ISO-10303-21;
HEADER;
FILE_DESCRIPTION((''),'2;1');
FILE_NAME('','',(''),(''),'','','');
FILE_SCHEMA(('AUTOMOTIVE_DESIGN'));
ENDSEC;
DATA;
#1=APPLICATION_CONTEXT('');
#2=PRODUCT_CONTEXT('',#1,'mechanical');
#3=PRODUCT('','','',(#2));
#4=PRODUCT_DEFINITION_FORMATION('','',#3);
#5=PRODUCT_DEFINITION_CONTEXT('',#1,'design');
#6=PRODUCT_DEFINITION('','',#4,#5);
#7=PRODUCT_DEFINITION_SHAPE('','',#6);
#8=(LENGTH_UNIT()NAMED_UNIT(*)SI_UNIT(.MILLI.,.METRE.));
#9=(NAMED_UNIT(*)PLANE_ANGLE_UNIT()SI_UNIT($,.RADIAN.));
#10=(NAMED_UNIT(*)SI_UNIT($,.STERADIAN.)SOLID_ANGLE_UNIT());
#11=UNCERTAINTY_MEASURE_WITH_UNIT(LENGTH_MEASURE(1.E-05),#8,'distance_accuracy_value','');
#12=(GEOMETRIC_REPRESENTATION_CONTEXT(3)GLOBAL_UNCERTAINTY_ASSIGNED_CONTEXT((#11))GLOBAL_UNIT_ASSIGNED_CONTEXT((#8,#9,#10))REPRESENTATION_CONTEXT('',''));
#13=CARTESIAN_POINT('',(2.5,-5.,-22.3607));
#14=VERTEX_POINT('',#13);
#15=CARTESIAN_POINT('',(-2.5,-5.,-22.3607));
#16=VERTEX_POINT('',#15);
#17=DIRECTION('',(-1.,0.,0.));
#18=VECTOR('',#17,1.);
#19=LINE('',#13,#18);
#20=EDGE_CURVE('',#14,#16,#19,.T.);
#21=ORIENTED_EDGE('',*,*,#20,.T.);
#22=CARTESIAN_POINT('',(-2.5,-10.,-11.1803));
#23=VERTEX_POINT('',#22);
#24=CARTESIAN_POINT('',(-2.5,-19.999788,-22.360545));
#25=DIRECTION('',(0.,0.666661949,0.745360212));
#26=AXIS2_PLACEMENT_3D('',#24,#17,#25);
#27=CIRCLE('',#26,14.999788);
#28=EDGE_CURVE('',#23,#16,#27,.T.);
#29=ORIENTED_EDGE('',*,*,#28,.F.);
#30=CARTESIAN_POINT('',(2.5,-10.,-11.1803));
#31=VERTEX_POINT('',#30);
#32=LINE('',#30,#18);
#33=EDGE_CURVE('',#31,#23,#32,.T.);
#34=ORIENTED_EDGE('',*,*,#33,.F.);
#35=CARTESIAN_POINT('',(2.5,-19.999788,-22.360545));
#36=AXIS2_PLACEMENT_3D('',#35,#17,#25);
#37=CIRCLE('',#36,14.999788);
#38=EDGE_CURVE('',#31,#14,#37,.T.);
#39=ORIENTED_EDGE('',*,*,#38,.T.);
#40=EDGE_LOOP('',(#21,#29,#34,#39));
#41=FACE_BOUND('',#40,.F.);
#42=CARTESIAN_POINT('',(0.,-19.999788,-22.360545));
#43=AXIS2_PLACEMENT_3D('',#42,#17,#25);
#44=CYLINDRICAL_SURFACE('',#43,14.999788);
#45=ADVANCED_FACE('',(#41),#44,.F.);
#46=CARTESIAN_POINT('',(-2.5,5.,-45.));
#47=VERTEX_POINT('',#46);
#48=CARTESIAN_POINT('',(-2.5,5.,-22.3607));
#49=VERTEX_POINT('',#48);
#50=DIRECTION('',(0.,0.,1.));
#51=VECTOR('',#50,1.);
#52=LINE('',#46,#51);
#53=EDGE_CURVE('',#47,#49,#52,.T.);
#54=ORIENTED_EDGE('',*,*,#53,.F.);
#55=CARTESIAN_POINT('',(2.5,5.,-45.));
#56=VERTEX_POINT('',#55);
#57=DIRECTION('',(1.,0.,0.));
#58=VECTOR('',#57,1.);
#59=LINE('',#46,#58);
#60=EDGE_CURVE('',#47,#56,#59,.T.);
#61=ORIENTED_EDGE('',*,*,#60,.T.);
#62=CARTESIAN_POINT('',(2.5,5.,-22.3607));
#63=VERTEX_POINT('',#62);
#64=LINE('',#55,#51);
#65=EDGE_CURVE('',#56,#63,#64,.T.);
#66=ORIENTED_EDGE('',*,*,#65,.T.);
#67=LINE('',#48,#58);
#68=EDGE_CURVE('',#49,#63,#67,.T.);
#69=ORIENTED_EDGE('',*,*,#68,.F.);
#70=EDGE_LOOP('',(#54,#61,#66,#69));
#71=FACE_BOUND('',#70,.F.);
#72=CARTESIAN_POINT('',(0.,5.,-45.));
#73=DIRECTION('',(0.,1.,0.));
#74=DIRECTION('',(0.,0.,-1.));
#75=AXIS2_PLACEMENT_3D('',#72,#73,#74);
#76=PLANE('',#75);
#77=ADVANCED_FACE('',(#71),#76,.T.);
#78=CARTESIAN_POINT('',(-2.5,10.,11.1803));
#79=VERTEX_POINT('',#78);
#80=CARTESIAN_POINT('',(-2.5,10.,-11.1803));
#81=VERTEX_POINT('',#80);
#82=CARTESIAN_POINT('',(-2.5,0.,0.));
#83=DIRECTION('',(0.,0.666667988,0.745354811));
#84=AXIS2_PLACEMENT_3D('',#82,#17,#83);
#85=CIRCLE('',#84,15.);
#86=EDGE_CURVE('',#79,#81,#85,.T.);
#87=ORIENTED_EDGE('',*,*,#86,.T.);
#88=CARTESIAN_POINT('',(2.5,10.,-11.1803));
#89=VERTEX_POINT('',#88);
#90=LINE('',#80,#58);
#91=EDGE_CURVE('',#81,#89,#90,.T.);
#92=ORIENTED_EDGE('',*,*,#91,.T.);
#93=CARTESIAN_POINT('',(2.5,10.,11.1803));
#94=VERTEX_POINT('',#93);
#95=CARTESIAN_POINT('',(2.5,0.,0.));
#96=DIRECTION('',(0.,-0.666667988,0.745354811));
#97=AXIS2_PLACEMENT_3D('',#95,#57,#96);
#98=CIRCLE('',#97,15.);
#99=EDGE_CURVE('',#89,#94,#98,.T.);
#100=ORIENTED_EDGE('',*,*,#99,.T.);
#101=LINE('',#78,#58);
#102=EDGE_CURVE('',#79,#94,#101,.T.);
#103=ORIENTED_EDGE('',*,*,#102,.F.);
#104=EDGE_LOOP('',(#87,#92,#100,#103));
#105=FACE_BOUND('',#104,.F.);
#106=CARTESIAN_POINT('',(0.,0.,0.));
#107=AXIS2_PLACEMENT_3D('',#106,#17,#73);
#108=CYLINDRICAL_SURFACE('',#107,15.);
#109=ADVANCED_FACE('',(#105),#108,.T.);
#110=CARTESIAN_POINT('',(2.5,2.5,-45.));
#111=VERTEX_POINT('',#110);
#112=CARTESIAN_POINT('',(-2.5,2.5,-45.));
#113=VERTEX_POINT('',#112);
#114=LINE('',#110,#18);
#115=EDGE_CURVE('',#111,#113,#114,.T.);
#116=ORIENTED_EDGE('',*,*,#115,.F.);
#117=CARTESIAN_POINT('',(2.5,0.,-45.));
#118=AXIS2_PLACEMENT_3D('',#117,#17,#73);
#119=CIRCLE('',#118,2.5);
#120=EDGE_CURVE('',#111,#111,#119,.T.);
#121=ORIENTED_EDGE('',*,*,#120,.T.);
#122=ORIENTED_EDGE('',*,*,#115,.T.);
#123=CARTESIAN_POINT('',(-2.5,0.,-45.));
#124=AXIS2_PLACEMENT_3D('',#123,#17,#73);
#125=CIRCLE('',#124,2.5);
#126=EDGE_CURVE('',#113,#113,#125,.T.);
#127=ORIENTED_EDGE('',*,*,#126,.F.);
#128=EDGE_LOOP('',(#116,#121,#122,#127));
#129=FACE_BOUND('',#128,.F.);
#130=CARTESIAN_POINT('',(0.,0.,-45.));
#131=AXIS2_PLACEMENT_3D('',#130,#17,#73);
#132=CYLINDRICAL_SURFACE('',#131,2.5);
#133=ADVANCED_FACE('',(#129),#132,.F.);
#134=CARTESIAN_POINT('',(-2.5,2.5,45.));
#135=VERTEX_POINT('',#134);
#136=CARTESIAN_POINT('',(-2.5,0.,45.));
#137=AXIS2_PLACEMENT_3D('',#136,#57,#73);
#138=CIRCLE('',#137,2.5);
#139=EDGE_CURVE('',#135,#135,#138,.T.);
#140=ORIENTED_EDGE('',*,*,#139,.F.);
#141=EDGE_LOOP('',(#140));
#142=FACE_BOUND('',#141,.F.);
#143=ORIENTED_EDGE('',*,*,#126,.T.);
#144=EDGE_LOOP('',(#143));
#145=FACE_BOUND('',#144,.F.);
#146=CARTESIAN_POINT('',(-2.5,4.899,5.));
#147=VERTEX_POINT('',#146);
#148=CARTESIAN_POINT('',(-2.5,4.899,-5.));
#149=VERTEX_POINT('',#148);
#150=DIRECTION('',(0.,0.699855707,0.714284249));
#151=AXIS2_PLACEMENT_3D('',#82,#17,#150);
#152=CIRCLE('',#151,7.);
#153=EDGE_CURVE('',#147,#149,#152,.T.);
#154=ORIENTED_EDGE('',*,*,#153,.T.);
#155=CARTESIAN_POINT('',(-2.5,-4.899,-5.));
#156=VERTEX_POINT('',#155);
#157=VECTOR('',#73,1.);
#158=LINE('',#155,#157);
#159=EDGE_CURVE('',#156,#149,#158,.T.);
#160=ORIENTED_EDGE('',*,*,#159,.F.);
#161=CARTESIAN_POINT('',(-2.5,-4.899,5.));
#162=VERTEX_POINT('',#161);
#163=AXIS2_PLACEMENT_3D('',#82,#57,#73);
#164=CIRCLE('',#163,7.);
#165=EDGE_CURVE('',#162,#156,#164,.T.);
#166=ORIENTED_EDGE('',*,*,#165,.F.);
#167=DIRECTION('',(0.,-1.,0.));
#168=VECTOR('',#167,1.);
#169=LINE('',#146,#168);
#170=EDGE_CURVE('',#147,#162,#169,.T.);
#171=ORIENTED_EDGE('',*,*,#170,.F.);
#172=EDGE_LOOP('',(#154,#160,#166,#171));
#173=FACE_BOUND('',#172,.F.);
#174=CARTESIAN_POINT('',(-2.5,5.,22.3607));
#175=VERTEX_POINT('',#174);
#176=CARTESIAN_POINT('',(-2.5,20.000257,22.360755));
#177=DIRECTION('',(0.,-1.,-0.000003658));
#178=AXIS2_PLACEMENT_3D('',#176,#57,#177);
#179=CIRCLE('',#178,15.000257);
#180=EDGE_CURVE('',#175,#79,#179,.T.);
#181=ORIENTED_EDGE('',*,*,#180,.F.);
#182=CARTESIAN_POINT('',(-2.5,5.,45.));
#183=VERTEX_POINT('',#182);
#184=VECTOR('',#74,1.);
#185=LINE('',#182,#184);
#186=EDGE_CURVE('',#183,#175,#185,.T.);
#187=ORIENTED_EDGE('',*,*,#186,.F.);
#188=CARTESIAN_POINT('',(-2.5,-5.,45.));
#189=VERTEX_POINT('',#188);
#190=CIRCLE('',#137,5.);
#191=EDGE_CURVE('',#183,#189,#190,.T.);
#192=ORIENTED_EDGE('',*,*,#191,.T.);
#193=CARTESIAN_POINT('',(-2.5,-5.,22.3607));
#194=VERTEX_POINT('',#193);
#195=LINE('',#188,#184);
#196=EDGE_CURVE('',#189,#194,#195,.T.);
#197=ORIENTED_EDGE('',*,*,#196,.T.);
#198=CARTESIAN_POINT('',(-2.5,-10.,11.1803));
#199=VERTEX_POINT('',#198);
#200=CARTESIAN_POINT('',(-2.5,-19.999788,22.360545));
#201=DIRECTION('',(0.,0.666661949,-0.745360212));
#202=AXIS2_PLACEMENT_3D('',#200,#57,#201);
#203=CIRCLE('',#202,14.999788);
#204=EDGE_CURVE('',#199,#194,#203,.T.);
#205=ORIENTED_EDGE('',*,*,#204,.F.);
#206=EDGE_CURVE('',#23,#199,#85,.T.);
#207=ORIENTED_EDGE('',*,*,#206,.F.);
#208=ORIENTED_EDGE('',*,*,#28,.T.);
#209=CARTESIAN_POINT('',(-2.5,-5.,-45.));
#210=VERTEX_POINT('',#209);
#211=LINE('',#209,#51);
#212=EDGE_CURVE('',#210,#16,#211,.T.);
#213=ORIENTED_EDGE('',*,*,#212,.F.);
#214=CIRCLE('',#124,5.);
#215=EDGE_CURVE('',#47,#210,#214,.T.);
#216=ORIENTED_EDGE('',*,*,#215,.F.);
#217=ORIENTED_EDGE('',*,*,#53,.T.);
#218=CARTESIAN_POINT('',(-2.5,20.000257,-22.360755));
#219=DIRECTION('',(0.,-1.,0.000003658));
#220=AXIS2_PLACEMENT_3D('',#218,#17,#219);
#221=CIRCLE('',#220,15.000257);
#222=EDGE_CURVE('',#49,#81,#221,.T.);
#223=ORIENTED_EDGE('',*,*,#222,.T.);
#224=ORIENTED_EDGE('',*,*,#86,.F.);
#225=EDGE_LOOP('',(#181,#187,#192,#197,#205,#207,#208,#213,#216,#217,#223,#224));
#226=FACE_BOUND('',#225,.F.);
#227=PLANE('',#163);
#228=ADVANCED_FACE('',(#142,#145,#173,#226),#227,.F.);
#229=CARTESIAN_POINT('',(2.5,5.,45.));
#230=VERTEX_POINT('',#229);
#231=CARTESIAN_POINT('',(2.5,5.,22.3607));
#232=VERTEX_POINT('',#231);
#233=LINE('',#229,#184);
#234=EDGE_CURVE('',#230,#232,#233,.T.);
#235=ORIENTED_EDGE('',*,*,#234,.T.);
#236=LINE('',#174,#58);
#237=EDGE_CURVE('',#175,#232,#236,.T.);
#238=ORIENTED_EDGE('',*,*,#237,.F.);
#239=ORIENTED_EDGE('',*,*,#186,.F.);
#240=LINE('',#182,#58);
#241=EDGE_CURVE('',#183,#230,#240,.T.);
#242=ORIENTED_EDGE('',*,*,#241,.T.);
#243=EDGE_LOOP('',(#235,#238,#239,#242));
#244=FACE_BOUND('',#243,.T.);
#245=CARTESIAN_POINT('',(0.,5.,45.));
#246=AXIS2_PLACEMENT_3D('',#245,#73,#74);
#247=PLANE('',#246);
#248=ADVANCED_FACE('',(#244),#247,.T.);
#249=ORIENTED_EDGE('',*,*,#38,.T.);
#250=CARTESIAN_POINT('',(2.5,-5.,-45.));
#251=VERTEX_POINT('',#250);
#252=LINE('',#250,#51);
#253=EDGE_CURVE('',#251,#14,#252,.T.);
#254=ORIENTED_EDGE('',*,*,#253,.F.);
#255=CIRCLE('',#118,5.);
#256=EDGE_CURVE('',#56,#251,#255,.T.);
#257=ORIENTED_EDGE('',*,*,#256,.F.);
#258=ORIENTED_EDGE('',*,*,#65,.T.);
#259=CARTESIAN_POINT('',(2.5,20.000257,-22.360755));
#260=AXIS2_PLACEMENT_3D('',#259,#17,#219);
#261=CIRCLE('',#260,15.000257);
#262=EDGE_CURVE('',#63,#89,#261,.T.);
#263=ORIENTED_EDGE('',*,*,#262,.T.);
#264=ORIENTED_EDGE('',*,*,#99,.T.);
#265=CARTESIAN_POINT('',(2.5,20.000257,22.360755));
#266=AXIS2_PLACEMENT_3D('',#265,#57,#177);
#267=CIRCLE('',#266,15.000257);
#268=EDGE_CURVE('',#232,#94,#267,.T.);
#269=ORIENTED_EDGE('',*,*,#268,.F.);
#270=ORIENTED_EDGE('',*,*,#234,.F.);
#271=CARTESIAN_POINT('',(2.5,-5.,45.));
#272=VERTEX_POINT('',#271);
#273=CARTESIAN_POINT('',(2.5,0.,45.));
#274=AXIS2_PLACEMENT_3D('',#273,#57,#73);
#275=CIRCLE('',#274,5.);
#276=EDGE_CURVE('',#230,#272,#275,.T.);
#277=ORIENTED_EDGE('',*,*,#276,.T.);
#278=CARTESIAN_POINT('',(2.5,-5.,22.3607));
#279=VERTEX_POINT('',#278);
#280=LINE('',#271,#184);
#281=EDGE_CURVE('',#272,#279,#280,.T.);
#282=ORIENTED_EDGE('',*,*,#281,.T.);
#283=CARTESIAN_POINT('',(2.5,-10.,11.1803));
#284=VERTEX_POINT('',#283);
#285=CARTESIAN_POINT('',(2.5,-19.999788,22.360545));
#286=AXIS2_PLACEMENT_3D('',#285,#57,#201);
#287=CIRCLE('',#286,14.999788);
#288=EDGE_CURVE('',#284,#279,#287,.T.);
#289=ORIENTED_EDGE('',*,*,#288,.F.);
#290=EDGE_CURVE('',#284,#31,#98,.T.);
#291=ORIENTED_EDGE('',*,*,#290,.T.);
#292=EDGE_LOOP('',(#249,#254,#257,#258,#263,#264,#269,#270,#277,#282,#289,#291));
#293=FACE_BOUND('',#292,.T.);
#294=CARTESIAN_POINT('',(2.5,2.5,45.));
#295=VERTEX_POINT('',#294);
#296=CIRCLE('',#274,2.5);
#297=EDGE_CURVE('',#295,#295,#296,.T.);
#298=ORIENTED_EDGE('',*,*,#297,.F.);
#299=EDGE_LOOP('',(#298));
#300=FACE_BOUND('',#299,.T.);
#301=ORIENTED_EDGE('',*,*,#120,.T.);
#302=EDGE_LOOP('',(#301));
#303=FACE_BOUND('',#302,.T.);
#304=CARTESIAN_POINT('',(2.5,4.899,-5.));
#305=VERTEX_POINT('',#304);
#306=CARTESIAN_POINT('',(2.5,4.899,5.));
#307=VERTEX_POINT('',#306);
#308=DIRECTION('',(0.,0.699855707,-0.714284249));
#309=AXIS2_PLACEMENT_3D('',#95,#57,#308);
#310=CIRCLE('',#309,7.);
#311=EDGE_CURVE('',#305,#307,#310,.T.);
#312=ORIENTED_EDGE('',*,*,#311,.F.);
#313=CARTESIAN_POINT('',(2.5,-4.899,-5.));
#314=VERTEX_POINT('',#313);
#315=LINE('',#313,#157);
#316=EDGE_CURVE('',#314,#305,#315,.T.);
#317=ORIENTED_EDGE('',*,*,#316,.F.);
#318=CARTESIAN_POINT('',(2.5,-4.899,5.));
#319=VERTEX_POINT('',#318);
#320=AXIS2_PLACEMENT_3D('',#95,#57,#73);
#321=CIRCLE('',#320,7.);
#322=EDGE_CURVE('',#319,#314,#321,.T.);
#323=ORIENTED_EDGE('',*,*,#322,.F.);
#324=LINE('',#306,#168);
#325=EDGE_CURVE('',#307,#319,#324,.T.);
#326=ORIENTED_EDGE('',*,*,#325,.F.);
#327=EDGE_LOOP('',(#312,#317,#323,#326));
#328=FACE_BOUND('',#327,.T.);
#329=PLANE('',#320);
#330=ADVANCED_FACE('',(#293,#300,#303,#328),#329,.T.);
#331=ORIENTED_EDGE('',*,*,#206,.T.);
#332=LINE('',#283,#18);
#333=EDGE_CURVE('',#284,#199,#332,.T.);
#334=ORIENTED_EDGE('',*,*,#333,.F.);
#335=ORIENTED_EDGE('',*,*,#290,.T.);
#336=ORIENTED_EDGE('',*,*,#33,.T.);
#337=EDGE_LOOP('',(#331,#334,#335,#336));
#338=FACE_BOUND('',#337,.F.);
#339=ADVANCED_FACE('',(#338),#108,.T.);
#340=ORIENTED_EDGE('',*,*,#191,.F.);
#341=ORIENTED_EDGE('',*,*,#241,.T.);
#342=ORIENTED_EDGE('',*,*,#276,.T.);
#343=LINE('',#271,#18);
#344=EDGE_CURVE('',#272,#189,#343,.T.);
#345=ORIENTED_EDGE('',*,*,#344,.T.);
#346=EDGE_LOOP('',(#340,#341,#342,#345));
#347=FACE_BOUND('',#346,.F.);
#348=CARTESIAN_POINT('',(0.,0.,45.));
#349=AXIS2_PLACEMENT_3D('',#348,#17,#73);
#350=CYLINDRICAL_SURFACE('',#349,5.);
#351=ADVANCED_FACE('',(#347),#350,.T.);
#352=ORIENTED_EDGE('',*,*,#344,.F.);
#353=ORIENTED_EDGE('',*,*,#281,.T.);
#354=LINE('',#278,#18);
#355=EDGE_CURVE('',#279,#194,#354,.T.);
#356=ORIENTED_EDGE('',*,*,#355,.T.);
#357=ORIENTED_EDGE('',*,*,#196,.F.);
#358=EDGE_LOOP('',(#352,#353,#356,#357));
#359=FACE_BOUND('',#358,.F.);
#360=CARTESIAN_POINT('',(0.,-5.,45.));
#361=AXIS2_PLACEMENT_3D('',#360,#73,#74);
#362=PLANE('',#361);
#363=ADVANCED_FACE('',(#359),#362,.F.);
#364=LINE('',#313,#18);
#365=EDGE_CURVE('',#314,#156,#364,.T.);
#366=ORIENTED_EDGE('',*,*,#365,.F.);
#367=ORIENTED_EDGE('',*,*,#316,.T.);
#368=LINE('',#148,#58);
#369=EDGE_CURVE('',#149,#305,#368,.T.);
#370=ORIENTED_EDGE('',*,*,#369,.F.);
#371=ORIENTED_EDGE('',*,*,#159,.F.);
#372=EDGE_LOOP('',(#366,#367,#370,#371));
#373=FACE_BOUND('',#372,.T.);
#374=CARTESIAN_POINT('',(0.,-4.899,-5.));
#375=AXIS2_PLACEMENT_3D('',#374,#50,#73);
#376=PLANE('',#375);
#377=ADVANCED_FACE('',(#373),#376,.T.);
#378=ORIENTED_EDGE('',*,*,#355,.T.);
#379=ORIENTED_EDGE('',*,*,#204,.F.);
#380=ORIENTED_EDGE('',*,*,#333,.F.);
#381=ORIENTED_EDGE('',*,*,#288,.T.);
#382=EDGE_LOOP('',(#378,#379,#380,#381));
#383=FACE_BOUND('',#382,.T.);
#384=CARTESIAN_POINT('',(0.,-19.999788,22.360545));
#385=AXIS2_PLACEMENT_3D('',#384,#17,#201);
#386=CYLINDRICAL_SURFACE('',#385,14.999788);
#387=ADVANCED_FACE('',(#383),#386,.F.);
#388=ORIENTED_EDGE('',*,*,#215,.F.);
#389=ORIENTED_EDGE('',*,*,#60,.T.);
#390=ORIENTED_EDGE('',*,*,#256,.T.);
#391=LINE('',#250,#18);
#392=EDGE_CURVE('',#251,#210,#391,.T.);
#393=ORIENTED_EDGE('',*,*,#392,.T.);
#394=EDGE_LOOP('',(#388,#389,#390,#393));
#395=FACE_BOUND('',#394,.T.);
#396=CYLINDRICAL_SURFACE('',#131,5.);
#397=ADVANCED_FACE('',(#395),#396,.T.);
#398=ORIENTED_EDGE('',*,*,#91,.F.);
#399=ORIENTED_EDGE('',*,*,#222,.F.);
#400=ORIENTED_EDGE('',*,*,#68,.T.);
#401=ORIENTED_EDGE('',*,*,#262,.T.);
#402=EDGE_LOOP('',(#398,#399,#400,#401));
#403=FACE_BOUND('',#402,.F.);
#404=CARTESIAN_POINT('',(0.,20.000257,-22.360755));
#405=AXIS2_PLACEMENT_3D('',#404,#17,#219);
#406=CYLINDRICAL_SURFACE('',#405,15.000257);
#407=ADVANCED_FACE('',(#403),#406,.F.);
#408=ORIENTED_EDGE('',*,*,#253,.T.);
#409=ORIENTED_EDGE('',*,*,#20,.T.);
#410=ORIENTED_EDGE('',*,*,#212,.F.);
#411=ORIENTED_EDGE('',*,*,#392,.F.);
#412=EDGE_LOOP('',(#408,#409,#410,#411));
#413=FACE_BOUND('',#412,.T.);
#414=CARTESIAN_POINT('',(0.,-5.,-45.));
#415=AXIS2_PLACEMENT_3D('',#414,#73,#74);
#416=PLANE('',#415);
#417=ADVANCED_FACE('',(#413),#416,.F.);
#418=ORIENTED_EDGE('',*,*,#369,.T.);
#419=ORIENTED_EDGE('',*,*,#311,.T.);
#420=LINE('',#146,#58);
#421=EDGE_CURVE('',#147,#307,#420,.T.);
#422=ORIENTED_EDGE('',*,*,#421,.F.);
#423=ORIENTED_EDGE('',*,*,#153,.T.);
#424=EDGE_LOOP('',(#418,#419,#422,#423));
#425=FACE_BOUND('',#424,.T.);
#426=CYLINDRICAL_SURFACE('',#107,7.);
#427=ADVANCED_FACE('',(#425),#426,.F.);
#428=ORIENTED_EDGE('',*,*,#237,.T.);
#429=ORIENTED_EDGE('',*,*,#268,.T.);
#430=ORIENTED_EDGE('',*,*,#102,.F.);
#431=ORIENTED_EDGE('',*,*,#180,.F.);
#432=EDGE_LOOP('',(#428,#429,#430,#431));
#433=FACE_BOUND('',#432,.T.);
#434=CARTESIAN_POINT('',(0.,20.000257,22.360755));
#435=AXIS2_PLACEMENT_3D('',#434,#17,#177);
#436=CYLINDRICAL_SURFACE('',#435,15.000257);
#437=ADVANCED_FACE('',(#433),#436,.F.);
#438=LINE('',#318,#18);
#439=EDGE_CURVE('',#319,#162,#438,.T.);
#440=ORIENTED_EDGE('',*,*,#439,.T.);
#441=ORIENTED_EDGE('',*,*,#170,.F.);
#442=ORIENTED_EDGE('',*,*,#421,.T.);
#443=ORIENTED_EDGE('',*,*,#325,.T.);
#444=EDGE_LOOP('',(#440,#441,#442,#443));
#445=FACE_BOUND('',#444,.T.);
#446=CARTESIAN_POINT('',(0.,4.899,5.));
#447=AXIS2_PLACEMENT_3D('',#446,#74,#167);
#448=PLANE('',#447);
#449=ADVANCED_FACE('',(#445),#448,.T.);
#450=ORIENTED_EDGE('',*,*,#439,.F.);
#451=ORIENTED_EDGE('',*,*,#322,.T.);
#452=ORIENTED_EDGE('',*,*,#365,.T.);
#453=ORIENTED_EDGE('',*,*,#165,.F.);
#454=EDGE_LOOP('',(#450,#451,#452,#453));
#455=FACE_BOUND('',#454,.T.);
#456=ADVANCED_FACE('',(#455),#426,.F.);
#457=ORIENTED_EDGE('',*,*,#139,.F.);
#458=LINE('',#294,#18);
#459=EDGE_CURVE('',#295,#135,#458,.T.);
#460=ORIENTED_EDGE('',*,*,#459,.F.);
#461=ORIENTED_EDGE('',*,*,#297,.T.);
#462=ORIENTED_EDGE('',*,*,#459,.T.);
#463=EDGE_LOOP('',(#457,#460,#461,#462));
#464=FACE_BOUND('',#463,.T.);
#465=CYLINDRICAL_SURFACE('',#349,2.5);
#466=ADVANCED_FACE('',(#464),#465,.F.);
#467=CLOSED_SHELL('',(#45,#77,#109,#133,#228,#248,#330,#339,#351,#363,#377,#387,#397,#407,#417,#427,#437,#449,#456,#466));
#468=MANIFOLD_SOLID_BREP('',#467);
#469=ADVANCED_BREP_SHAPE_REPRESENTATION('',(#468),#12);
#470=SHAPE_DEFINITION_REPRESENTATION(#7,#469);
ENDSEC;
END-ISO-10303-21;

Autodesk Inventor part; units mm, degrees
ref_plane "YZ Plane" through (0, 0, 0) normal (1, 0, 0) x (0, 1, 0)
ref_plane "XZ Plane" through (0, 0, 0) normal (0, 1, 0) x (-1, 0, 0)
ref_plane "XY Plane" through (0, 0, 0) normal (0, 0, 1) x (1, 0, 0)
sketch "Sketch4" plane through (0, 0, 0) normal (1, 0, 0) x (0, 1, 0)
  circle A0 centre (0, 0) radius 7
  line L0 (4.899, 5) -> (-4.899, 5)
  line L1 (-4.899, -5) -> (4.899, -5)
  circle A1 centre (0, 0) radius 15
  circle A2 centre (0, 45) radius 2.5
  circle A3 centre (0, 45) radius 5
  line L2 (5, 45) -> (5, 22.3607)
  line L3 (-5, 45) -> (-5, 22.3607)
  line L4 (0, 0) -> (0, 45) construction
  arc A4 (5, 22.3607) -> (10, 11.1803) centre (20, 22.3607) ccw
  arc A5 (-10, 11.1803) -> (-5, 22.3607) centre (-20, 22.3607) ccw
  dimension "d29" = 30
  dimension "d18" = 14
  dimension "d19" = 10
  dimension "d30" = 10
  dimension "d31" = 5
  dimension "d33" = 45
extrude "Extrusion4" add sketch "Sketch4" along normal mid plane 5 contours L0 A0 | A0 L1 | A1
extrude "Extrusion5" add sketch "Sketch4" along normal mid plane 5 contours A1 A5 L3 A3 L2 A4 | A3
mirror "Mirror2" about plane through (0, 0, 0) normal (0, 0, 1) of "Extrusion5"
properties part number "panel" material "Aluminum 6061"
